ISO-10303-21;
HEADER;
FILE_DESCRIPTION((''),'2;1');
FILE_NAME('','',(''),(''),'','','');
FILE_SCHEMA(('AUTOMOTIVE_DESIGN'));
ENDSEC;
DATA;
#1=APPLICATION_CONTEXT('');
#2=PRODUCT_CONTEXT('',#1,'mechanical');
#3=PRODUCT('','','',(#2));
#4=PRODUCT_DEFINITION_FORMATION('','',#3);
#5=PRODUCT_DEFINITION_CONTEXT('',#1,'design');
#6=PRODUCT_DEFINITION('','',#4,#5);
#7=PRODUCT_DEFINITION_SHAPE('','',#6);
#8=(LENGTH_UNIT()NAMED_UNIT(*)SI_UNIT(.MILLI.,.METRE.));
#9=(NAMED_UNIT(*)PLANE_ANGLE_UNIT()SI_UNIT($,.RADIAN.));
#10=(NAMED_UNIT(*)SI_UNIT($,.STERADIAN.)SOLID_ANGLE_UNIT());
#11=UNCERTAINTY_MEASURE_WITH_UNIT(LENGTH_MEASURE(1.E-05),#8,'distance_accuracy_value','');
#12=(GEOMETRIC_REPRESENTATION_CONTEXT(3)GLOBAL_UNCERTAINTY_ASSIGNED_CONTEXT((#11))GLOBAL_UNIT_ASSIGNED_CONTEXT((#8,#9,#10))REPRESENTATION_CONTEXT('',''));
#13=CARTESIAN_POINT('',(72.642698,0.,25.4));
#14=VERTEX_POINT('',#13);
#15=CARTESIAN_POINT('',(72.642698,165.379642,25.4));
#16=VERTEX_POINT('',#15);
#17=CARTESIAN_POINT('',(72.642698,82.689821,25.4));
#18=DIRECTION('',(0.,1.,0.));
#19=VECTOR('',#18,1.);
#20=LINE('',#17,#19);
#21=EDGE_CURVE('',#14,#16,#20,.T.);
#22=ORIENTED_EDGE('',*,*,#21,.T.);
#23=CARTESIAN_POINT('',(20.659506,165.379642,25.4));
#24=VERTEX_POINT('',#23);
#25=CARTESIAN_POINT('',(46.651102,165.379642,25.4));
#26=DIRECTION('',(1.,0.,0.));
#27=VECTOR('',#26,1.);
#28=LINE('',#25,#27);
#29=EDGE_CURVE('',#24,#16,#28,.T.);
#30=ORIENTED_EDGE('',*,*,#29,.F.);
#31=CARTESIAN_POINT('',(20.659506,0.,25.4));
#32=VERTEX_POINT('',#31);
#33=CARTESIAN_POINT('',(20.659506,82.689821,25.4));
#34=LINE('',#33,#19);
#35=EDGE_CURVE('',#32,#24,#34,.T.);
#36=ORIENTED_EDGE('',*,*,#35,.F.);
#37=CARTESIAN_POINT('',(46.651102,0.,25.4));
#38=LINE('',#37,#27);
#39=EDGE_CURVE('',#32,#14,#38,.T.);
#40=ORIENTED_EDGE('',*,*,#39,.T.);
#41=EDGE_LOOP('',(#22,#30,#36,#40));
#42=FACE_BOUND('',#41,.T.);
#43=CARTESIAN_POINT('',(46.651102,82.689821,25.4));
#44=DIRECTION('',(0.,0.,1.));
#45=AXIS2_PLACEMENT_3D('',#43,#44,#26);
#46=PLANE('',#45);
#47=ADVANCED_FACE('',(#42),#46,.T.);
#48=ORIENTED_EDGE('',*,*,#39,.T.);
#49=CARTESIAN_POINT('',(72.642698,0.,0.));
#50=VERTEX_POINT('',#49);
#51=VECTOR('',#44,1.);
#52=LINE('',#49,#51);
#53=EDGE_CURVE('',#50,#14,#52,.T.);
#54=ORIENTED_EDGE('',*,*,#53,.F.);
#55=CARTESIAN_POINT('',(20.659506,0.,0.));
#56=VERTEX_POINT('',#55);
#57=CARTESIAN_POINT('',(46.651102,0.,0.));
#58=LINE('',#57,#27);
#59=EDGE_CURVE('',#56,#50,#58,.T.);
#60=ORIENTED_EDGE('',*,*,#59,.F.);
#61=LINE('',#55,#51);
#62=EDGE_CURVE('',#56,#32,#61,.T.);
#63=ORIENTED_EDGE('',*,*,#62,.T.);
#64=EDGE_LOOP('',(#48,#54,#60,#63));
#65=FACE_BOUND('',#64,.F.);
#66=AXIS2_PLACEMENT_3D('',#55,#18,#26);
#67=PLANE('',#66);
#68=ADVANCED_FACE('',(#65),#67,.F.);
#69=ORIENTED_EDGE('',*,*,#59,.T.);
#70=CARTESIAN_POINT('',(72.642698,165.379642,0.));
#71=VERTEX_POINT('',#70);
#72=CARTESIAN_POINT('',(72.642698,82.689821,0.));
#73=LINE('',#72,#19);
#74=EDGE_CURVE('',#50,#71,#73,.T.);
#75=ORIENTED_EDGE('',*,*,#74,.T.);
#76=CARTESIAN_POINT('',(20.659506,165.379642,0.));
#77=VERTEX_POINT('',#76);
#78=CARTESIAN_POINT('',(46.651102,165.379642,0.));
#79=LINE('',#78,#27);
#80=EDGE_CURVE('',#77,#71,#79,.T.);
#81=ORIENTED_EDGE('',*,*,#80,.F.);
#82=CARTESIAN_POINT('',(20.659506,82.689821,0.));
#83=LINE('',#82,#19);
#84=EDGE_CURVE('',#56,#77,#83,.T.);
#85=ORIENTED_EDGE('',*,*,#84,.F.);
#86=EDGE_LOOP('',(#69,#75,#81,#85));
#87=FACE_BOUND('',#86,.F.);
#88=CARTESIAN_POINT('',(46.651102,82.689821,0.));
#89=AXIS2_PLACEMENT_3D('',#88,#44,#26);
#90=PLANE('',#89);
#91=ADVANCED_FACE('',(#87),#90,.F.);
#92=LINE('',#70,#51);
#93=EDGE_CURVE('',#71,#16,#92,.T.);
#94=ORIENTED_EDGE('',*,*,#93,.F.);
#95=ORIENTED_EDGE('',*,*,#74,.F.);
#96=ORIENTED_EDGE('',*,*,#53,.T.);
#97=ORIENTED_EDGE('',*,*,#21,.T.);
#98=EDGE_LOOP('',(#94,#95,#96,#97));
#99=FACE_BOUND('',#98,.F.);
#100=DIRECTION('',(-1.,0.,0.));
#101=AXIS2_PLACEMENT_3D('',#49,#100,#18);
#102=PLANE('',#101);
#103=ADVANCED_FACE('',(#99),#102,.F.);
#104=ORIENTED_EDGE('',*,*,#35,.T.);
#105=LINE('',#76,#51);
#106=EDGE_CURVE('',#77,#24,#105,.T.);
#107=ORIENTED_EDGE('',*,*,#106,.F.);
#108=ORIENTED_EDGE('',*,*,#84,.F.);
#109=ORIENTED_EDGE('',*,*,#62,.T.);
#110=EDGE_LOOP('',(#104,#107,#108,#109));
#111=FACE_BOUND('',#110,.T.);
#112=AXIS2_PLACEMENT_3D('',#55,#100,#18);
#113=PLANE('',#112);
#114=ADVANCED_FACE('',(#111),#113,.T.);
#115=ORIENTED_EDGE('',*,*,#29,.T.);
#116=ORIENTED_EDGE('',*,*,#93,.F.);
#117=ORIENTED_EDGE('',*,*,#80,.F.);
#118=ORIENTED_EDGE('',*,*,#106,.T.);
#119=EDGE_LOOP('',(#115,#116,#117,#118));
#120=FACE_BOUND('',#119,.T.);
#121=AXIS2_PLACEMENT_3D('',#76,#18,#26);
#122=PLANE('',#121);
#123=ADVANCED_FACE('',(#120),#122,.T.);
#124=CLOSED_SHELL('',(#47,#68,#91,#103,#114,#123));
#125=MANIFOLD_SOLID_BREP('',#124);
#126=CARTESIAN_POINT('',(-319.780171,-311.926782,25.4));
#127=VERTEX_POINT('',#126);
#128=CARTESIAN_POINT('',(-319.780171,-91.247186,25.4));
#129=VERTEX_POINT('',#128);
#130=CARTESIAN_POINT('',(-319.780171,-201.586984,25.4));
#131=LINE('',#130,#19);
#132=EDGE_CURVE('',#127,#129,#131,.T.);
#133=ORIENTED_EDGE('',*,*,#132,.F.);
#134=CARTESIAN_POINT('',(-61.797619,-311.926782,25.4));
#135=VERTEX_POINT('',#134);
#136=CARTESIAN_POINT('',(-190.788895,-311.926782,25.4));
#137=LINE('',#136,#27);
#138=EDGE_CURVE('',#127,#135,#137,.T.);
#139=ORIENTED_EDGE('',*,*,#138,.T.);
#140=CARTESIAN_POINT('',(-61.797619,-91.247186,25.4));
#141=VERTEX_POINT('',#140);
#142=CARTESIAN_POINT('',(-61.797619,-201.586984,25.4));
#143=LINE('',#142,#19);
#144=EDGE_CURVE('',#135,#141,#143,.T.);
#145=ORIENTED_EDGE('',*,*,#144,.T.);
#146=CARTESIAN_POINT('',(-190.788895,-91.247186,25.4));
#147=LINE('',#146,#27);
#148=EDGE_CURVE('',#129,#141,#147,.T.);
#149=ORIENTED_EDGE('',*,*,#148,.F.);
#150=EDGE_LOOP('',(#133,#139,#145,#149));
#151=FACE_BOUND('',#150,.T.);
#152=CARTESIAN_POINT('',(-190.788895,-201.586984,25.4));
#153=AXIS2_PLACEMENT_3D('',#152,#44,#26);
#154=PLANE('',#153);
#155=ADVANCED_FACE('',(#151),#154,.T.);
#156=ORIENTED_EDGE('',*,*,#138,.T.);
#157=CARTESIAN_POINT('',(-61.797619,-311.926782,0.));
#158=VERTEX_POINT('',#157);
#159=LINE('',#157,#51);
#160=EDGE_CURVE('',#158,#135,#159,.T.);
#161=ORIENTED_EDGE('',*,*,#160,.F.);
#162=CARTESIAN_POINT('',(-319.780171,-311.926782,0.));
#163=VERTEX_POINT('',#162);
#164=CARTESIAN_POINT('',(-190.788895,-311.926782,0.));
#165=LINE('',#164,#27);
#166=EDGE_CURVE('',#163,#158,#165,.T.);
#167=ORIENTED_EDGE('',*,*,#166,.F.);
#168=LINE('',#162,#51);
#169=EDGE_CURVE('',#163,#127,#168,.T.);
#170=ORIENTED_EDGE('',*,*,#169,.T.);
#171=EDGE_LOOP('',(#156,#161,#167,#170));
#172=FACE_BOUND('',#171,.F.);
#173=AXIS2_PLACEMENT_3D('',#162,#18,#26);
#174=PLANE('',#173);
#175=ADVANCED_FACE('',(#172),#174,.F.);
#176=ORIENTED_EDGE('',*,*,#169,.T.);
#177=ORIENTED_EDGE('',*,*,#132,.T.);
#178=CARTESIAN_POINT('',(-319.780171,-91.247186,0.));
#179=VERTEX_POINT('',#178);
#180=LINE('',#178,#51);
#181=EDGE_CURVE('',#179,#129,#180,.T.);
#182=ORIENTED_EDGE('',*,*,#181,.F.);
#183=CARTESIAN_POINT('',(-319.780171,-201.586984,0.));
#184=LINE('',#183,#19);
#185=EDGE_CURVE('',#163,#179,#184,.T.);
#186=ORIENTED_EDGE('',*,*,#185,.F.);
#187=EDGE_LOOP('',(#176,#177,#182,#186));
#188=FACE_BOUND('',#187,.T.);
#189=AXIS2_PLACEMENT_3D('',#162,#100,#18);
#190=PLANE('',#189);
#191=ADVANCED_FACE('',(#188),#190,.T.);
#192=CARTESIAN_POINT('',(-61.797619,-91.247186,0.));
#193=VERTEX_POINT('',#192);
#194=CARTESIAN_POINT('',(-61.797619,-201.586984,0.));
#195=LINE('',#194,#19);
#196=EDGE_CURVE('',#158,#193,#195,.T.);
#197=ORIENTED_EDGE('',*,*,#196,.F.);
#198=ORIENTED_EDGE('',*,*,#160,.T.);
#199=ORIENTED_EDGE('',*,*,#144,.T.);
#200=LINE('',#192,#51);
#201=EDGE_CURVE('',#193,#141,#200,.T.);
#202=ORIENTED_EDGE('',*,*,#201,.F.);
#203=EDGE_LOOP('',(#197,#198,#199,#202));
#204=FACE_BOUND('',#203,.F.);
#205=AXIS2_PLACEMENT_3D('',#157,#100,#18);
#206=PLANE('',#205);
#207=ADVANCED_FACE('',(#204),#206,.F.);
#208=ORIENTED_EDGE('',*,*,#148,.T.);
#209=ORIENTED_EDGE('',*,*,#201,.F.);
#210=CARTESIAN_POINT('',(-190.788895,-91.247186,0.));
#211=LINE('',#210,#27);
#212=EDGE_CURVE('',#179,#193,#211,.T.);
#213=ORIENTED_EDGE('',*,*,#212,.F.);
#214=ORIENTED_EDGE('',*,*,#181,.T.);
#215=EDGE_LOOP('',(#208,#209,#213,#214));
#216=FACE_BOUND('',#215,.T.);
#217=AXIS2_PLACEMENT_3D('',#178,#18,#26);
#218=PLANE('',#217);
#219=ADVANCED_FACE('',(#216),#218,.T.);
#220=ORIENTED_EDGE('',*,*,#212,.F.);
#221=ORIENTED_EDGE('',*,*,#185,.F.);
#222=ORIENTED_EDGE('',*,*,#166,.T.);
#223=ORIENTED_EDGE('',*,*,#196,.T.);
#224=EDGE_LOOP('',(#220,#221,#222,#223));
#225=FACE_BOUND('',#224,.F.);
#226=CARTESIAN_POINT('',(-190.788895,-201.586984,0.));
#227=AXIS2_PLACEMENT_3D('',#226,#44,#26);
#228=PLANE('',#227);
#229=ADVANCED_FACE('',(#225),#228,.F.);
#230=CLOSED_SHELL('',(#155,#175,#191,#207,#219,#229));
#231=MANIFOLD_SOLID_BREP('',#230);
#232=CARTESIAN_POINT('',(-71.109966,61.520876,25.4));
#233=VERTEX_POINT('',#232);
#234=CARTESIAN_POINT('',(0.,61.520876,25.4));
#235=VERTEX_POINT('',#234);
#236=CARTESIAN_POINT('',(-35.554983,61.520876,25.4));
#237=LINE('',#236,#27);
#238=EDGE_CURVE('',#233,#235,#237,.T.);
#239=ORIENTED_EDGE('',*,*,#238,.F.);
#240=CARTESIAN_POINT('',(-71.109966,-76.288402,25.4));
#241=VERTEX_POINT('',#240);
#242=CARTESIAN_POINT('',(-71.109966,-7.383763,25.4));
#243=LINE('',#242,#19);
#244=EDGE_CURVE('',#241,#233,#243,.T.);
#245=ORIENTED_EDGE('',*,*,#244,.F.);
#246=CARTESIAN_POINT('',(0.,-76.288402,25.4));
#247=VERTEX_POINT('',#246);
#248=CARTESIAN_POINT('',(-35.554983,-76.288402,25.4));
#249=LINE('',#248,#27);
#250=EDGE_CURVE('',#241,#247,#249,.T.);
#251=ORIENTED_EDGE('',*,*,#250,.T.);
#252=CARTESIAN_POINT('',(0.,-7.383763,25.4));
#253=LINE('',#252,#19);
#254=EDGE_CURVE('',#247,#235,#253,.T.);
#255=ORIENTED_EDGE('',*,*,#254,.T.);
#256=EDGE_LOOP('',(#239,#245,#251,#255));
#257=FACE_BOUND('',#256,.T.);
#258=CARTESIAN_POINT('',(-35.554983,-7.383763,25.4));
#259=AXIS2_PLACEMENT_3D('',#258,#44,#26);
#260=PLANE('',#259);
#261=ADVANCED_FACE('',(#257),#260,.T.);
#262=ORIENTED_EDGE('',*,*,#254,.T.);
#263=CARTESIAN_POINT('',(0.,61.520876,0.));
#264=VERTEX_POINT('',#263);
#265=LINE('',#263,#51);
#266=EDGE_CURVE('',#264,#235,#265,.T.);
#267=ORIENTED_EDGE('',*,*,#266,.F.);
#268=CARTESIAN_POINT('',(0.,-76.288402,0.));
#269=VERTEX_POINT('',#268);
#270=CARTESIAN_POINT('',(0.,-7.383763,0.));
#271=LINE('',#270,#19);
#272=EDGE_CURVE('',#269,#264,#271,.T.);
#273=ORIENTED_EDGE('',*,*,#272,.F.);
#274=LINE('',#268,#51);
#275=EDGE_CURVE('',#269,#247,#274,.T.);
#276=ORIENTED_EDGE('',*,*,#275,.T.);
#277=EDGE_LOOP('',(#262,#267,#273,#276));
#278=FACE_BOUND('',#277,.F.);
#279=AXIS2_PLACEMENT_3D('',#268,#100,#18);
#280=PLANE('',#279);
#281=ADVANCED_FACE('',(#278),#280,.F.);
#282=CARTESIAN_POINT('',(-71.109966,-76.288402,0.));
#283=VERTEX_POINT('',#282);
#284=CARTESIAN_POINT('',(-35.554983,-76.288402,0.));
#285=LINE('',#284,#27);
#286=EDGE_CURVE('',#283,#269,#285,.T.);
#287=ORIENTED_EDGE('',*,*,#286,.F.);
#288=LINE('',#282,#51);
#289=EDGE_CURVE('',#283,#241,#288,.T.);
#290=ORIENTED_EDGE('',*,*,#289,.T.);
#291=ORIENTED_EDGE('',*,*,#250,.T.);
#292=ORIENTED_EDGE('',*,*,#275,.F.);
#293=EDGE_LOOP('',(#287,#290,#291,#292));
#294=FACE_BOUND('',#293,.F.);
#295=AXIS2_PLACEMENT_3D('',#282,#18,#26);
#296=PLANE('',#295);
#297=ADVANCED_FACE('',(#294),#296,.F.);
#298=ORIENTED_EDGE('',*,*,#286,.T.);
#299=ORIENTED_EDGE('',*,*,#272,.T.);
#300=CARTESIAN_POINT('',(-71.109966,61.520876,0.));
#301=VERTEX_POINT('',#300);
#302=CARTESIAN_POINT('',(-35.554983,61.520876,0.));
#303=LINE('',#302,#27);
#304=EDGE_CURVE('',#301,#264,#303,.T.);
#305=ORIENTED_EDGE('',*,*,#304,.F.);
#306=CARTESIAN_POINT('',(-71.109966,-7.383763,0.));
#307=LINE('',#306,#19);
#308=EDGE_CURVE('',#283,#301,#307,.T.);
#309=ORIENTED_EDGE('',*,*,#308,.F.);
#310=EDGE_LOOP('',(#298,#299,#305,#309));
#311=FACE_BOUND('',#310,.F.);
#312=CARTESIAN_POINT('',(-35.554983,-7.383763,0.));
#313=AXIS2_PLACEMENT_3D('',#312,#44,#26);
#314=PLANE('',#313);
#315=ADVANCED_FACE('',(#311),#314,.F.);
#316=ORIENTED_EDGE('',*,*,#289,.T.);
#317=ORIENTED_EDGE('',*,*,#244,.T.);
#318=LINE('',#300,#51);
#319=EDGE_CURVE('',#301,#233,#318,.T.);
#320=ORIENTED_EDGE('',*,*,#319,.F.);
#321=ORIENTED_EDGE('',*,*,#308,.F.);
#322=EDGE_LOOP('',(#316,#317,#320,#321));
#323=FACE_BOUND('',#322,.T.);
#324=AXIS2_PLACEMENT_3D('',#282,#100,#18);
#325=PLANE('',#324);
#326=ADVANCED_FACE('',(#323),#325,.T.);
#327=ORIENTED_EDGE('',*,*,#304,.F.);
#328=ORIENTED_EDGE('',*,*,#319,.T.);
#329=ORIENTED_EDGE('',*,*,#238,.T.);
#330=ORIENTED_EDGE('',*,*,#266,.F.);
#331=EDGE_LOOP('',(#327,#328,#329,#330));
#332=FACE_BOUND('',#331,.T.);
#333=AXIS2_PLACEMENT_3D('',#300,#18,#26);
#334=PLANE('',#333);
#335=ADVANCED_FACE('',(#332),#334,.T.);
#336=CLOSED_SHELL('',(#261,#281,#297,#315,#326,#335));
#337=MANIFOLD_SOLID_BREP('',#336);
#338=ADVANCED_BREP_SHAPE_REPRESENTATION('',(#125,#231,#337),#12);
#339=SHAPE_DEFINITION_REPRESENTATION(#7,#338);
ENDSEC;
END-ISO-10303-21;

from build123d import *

# Parameters (mm, degrees)
F0_W     = 257.982552
F0_H     = 220.679596
F0_W_2   = 71.109965
F0_H_2   = 137.809277
F0_W_3   = 51.983193
F0_H_3   = 165.379643
F1_DEPTH = 25.4


with BuildPart() as f1:
    # F0 (on Top) → F1 (new body)
    with BuildSketch(Plane.XY):
        with Locations((-190.788895, -201.586984)):
            Rectangle(F0_W, F0_H)
        with Locations((-35.554983, -7.383763)):
            Rectangle(F0_W_2, F0_H_2)
        with Locations((46.651102, 82.689821)):
            Rectangle(F0_W_3, F0_H_3)
    extrude(amount=F1_DEPTH)


solid = f1.part
